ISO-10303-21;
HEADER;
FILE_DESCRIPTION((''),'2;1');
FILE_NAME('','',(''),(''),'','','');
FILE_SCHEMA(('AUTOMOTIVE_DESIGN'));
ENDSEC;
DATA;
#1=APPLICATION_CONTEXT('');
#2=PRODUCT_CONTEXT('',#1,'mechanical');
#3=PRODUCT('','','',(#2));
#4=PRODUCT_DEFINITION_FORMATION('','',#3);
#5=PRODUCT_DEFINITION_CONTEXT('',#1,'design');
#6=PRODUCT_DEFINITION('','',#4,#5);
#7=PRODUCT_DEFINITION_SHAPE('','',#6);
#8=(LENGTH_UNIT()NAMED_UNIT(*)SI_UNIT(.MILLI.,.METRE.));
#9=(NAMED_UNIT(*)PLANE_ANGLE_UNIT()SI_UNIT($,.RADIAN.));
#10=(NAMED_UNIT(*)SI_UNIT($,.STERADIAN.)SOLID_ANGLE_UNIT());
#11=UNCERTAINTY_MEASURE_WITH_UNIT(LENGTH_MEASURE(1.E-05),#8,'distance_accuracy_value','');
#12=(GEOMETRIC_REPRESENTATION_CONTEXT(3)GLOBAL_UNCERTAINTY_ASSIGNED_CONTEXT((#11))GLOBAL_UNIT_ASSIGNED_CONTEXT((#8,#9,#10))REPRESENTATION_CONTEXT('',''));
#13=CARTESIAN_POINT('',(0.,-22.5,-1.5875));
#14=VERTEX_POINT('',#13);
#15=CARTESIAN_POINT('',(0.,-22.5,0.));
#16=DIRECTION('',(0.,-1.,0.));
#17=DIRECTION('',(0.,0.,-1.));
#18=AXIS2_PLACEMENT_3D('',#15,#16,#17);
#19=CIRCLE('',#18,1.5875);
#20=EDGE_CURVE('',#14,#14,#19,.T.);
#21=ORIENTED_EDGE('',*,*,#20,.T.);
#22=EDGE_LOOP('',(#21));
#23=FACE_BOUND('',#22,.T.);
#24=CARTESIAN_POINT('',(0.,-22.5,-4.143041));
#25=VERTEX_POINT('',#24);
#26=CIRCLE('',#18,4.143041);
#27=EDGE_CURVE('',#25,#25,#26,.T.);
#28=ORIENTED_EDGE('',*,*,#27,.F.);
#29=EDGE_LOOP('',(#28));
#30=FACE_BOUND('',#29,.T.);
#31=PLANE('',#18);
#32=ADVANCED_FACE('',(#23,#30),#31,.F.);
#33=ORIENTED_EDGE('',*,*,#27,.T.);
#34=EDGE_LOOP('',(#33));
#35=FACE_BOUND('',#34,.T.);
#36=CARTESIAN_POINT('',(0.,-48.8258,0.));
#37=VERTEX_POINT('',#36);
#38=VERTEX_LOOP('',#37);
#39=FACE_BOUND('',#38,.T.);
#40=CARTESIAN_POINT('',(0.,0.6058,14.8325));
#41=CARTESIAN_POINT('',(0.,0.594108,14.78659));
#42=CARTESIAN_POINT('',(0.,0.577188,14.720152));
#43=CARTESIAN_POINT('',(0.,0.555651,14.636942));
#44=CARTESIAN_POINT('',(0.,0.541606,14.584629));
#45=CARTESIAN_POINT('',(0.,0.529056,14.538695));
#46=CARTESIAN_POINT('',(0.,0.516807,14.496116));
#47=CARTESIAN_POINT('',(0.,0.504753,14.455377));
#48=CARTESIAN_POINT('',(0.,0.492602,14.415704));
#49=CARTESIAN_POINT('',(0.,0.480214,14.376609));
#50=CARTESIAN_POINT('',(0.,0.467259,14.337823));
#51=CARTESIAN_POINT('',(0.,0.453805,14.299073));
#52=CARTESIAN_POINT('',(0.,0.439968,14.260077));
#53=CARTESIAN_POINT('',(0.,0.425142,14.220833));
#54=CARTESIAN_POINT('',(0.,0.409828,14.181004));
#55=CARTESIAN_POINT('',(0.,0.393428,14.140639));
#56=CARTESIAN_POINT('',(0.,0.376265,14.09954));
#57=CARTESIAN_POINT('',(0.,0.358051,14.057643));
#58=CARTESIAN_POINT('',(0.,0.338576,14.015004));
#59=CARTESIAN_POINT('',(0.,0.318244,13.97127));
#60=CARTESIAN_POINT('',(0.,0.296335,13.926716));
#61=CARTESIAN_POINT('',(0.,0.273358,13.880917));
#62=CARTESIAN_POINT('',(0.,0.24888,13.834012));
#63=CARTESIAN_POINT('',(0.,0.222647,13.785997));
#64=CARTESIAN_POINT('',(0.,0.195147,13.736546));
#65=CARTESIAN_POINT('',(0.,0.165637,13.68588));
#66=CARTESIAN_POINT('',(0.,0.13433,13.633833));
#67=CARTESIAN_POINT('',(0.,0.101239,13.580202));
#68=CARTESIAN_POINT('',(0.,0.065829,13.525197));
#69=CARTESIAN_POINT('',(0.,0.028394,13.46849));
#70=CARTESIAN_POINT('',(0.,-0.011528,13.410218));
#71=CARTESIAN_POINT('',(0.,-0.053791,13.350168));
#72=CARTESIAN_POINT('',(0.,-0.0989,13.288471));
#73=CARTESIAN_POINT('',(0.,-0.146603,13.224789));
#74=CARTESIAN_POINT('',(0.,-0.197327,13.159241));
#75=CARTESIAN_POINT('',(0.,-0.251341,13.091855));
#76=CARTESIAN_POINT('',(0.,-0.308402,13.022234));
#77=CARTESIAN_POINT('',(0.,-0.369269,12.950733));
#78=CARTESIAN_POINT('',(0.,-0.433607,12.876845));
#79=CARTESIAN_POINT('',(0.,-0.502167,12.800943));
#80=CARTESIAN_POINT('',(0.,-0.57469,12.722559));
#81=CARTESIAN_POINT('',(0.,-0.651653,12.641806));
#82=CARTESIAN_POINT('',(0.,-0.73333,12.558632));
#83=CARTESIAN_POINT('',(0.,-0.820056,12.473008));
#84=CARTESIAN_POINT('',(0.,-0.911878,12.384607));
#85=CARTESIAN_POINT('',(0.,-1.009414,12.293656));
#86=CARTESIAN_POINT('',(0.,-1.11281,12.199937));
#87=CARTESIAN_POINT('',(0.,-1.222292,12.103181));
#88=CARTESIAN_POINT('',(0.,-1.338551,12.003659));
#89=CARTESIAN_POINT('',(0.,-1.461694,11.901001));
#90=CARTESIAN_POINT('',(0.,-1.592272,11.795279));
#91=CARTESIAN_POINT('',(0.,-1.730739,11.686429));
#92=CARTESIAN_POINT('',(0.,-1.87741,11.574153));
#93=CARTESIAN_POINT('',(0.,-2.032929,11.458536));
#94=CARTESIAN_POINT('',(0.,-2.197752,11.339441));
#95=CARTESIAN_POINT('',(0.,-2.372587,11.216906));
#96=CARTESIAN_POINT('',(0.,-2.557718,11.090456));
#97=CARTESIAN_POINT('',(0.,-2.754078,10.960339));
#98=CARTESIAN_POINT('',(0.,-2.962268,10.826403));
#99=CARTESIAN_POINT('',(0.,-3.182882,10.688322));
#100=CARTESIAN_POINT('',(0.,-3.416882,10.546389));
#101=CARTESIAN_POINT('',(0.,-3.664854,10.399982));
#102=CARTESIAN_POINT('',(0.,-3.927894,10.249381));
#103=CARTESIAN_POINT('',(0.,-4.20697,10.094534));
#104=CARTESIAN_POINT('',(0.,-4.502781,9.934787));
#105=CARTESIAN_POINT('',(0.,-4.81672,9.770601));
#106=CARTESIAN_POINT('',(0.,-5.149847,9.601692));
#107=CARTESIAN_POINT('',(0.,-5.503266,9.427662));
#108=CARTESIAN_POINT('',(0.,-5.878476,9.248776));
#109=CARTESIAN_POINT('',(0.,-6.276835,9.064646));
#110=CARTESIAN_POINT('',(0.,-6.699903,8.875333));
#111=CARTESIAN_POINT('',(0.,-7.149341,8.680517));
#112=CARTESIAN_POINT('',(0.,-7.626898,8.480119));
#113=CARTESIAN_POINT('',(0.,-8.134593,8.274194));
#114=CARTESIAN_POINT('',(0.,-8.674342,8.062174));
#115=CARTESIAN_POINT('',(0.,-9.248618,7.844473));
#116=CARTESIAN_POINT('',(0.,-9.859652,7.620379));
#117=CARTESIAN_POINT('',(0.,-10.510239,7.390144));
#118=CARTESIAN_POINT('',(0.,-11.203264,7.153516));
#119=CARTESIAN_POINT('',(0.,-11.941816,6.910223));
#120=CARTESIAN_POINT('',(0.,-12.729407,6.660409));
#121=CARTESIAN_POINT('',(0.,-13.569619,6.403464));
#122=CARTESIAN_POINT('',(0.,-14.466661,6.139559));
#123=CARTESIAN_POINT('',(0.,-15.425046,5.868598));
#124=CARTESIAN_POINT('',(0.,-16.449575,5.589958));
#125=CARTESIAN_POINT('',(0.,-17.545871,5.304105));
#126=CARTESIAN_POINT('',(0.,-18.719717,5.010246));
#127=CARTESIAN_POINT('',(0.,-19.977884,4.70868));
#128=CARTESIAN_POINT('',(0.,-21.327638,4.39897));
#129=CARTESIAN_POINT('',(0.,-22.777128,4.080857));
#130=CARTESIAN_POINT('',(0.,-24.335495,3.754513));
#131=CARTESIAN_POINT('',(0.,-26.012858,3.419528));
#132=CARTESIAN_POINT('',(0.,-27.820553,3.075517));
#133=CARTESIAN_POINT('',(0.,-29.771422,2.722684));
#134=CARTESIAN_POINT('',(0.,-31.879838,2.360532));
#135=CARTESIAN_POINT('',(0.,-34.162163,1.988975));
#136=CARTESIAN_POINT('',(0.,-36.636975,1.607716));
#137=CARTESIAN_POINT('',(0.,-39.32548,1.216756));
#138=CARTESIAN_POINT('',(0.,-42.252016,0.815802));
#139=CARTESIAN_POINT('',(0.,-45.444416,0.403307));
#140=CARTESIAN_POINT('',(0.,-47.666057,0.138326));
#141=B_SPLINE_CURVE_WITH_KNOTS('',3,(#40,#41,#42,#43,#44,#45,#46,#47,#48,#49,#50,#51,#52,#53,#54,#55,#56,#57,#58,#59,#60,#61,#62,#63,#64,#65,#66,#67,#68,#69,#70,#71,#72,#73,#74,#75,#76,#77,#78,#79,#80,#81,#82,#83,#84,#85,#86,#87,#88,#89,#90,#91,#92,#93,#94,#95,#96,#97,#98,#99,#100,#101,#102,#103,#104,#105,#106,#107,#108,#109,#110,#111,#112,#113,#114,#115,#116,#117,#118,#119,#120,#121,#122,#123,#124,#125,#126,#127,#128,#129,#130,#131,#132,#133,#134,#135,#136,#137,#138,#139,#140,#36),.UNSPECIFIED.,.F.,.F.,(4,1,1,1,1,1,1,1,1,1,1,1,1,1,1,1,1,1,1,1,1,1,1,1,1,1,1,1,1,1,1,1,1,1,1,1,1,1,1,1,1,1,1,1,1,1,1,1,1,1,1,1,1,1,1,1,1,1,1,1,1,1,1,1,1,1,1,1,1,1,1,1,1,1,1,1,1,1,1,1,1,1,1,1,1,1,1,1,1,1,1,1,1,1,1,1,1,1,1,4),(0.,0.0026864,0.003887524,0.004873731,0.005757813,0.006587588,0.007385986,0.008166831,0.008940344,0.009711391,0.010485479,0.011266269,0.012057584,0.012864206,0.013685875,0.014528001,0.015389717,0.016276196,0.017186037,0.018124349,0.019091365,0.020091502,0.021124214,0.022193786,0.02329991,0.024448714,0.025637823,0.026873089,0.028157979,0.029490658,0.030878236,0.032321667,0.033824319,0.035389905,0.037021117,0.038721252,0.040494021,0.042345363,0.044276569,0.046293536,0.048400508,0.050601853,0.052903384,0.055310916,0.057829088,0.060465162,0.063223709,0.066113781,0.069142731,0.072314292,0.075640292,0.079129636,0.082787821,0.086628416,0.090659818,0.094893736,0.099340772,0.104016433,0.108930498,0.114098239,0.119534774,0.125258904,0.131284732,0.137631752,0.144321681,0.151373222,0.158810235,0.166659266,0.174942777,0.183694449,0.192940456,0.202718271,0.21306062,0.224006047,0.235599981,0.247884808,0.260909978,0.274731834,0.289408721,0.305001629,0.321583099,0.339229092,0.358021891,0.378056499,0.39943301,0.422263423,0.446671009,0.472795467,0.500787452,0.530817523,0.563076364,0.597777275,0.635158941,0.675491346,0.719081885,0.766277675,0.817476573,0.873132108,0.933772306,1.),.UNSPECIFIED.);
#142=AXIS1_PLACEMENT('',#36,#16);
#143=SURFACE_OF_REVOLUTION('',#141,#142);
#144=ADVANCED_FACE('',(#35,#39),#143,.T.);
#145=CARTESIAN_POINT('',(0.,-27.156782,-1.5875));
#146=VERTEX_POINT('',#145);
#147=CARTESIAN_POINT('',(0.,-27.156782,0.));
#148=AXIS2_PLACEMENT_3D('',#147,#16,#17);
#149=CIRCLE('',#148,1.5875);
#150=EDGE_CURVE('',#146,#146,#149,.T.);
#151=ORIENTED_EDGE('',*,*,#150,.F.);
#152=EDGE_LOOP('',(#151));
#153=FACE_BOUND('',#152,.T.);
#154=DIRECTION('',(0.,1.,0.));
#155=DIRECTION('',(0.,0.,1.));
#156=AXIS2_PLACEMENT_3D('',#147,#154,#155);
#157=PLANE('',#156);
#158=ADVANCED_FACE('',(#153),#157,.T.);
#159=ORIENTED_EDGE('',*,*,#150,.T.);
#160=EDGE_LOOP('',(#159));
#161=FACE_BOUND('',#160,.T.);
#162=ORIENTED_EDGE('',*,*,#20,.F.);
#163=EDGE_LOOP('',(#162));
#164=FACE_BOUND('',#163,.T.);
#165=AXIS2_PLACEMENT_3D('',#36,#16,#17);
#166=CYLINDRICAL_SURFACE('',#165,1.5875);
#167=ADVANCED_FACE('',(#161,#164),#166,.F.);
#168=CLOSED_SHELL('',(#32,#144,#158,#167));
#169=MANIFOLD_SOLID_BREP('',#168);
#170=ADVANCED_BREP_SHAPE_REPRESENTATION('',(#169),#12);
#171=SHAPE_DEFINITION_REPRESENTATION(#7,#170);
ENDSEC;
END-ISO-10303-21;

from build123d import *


with BuildPart() as part:
    # Sketch2 → Revolve1 (revolve)
    with BuildSketch(Plane(origin=(0, 0, 0), x_dir=(0, 0, -1), z_dir=(1, 0, 0))):
        with BuildLine():
            Line((-1.5875, -27.156781806), (-1.5875, -22.5))
            Line((-1.5875, -22.5), (-4.143040834, -22.5))
            add(Edge.make_bspline(
                [(-4.143040834, -22.5), (-4.125564027, -22.580819709), (-3.996621605, -23.179373348), (-3.754513457, -24.335495191), (-3.41952793, -26.012858361), (-3.075517026, -27.820552879), (-2.722684182, -29.77142225), (-2.360531816, -31.879838305), (-1.988974677, -34.162162662), (-1.607715514, -36.636974892), (-1.21675626, -39.325480295), (-0.815801597, -42.252016358), (-0.403306983, -45.444415751), (-0.138325749, -47.666056858), (0, -48.8258)],
                knots=[0.496098755, 0.496098755, 0.496098755, 0.496098755, 0.500787452, 0.530817523, 0.563076364, 0.597777275, 0.635158941, 0.675491346, 0.719081885, 0.766277675, 0.817476573, 0.873132108, 0.933772306, 1, 1, 1, 1], degree=3))
            Line((0, -48.8258), (0, -27.156781806))
            Line((0, -27.156781806), (-1.5875, -27.156781806))
        make_face()
    revolve(axis=Axis((0, -48.8258, 0), (0, 1, 0)))


solid = part.part
